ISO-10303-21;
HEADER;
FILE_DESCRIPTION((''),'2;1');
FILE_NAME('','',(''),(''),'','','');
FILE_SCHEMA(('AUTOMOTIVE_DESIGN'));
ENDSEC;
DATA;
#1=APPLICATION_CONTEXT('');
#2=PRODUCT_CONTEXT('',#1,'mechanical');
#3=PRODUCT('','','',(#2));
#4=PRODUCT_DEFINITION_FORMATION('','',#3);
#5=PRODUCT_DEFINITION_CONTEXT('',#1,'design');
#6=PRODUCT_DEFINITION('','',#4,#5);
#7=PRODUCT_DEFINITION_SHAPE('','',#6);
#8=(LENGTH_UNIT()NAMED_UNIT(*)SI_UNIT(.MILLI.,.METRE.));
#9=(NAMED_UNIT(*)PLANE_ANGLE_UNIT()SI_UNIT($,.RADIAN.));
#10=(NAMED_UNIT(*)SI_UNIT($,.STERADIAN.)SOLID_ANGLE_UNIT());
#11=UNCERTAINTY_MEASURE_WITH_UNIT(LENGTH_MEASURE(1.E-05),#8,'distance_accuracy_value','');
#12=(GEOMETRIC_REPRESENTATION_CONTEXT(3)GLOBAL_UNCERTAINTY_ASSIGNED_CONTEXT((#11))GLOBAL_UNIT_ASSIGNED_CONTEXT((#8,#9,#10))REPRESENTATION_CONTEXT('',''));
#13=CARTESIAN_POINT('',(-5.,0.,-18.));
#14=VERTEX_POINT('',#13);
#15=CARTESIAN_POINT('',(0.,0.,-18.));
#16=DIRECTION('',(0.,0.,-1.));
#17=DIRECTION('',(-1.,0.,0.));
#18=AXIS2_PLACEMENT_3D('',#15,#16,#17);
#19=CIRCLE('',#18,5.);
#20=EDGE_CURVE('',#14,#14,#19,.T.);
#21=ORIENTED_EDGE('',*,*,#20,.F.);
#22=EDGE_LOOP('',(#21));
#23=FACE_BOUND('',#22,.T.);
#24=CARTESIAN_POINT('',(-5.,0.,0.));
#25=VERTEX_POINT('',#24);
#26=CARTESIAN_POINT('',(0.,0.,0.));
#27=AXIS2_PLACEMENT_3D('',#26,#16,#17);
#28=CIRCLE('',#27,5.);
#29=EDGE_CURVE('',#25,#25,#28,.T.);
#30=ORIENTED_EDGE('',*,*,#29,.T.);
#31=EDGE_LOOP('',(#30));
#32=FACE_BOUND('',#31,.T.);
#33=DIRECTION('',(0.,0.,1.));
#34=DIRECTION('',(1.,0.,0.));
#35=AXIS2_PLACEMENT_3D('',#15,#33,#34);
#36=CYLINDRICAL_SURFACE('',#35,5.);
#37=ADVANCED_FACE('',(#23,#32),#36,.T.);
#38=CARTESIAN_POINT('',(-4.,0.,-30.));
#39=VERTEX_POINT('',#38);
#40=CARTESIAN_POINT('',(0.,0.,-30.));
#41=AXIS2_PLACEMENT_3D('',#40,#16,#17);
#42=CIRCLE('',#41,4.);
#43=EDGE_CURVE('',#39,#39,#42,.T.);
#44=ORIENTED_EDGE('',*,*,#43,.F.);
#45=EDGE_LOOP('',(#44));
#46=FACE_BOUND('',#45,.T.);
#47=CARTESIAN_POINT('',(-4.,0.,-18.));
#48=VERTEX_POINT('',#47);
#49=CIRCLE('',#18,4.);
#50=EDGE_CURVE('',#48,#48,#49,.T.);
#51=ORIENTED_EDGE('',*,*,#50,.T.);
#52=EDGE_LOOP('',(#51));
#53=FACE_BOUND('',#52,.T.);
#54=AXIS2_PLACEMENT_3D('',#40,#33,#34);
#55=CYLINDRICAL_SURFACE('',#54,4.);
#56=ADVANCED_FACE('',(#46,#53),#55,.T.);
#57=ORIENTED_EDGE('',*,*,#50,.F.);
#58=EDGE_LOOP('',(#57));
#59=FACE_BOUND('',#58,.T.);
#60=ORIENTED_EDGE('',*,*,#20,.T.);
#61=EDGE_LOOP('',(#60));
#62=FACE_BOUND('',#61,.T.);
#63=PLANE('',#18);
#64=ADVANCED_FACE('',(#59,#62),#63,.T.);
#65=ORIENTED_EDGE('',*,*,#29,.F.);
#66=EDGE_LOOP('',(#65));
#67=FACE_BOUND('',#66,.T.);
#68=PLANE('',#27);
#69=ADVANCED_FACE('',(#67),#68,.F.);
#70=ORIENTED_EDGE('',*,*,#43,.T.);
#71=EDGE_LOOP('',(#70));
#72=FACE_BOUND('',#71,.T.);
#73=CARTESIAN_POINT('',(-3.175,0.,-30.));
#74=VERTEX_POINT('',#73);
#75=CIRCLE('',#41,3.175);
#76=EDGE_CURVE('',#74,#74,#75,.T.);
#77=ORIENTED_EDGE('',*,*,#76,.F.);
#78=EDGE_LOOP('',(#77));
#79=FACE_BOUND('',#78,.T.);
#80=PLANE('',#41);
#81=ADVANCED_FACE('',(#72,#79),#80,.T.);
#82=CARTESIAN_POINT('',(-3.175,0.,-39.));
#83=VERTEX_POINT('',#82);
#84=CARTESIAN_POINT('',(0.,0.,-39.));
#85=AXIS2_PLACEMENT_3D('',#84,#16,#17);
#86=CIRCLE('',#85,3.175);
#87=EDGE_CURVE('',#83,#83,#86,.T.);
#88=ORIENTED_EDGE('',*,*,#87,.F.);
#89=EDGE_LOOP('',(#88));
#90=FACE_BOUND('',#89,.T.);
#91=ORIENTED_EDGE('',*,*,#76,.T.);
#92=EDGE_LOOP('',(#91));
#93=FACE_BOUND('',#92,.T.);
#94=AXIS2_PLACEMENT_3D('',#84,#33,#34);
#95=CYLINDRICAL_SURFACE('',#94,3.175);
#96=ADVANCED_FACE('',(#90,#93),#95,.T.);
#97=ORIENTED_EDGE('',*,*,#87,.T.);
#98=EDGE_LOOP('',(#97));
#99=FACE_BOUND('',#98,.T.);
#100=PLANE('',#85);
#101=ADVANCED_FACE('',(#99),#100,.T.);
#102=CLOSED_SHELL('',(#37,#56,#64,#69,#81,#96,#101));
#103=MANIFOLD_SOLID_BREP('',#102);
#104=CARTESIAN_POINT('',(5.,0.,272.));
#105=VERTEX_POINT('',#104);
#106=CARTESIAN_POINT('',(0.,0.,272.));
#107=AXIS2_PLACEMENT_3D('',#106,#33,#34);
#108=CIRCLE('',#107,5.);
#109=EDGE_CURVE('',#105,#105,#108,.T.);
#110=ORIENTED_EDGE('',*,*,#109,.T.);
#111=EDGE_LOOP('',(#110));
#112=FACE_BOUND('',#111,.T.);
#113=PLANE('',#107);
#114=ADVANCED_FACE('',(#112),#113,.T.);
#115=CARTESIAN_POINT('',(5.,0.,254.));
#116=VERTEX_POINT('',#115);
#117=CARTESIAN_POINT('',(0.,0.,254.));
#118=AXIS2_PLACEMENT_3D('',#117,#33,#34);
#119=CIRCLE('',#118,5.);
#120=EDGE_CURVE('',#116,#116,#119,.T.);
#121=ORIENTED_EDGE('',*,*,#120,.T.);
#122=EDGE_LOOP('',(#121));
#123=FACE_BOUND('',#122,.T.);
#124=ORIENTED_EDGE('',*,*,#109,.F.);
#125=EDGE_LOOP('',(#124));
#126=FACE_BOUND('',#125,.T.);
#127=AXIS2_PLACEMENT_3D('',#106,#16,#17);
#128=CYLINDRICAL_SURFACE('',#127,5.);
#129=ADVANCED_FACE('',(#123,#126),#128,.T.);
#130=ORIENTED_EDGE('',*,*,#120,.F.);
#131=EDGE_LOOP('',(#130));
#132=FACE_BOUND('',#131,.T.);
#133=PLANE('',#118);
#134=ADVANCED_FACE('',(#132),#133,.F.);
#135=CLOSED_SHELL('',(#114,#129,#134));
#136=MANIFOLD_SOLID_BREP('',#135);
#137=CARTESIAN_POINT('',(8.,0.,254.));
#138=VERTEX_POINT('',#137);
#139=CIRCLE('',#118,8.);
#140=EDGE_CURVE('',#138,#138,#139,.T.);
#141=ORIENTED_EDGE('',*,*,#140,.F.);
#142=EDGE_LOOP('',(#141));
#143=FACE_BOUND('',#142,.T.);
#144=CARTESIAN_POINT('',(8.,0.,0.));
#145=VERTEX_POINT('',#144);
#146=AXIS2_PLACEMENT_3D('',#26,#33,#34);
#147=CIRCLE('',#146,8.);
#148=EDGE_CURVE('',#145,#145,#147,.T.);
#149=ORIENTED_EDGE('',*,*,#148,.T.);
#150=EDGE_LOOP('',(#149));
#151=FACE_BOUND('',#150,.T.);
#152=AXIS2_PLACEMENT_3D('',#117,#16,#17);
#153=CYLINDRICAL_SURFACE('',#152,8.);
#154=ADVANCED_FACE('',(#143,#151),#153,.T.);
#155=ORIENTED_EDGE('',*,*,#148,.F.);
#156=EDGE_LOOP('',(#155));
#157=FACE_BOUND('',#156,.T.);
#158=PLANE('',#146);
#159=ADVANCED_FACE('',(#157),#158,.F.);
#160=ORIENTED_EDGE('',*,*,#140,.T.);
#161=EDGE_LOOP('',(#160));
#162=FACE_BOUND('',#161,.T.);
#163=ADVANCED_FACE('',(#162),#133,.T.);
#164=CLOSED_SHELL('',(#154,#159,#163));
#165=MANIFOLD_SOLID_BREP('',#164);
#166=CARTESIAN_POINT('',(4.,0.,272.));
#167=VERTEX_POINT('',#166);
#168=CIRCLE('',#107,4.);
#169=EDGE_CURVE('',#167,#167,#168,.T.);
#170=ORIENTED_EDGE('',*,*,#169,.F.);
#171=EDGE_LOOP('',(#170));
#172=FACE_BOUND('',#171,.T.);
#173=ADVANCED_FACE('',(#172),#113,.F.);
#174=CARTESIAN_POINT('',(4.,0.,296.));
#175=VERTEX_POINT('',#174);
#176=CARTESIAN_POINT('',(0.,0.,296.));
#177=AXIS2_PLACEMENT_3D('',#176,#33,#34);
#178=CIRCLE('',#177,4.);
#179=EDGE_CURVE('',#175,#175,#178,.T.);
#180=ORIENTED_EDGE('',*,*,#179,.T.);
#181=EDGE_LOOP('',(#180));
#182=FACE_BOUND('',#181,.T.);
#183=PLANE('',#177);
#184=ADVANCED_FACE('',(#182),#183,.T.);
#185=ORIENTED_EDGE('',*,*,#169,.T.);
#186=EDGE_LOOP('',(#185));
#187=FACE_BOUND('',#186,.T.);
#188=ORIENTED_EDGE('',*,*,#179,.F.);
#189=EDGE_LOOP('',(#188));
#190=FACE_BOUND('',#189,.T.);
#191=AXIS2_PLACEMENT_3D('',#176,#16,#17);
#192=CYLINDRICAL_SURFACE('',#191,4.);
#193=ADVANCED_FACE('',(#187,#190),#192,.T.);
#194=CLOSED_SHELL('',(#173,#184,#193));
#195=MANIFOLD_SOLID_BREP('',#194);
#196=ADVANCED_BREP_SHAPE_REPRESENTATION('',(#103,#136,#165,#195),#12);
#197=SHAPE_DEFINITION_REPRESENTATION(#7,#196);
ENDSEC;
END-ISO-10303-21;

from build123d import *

# Parameters (mm, degrees)
SKETCH_1_R      = 8
EXTRUDE_1_DEPTH = 254
SKETCH_2_R      = 5
EXTRUDE_2_DEPTH = 18
SKETCH_4_R      = 5
EXTRUDE_3_DEPTH = 18
SKETCH_5_R      = 4
EXTRUDE_4_DEPTH = 24
SKETCH_9_R      = 4
EXTRUDE_5_DEPTH = 12
SKETCH_10_R     = 3.175
EXTRUDE_6_DEPTH = 9


with BuildPart() as part:
    # 草图1 → 凸台-拉伸1 (new body)
    with BuildSketch(Plane.XY):
        Circle(SKETCH_1_R)
    extrude(amount=EXTRUDE_1_DEPTH)


with BuildPart() as body_2:
    # 草图2 → 凸台-拉伸2 (new body)
    with BuildSketch(Plane.XY.offset(254)):
        Circle(SKETCH_2_R)
    extrude(amount=EXTRUDE_2_DEPTH)


with BuildPart() as body_3:
    # 草图4 → 凸台-拉伸3 (new body)
    with BuildSketch(Plane(origin=(0, 0, 0), x_dir=(-1, 0, 0), z_dir=(0, 0, -1))):
        Circle(SKETCH_4_R)
    extrude(amount=EXTRUDE_3_DEPTH)

    # 草图9 → 凸台-拉伸5 (add)
    with BuildSketch(Plane(origin=(0, 0, -18), x_dir=(-1, 0, 0), z_dir=(0, 0, -1))):
        with Locations(Location((0, 0, 0), (0, 0, 180))):
            Circle(SKETCH_9_R)
    extrude(amount=EXTRUDE_5_DEPTH)

    # 草图10 → 凸台-拉伸6 (add)
    with BuildSketch(Plane(origin=(0, 0, -30), x_dir=(-1, 0, 0), z_dir=(0, 0, -1))):
        Circle(SKETCH_10_R)
    extrude(amount=EXTRUDE_6_DEPTH)


with BuildPart() as body_4:
    # 草图5 → 凸台-拉伸4 (new body)
    with BuildSketch(Plane.XY.offset(272)):
        Circle(SKETCH_5_R)
    extrude(amount=EXTRUDE_4_DEPTH)


solid = Compound([part.part, body_2.part, body_3.part, body_4.part])
